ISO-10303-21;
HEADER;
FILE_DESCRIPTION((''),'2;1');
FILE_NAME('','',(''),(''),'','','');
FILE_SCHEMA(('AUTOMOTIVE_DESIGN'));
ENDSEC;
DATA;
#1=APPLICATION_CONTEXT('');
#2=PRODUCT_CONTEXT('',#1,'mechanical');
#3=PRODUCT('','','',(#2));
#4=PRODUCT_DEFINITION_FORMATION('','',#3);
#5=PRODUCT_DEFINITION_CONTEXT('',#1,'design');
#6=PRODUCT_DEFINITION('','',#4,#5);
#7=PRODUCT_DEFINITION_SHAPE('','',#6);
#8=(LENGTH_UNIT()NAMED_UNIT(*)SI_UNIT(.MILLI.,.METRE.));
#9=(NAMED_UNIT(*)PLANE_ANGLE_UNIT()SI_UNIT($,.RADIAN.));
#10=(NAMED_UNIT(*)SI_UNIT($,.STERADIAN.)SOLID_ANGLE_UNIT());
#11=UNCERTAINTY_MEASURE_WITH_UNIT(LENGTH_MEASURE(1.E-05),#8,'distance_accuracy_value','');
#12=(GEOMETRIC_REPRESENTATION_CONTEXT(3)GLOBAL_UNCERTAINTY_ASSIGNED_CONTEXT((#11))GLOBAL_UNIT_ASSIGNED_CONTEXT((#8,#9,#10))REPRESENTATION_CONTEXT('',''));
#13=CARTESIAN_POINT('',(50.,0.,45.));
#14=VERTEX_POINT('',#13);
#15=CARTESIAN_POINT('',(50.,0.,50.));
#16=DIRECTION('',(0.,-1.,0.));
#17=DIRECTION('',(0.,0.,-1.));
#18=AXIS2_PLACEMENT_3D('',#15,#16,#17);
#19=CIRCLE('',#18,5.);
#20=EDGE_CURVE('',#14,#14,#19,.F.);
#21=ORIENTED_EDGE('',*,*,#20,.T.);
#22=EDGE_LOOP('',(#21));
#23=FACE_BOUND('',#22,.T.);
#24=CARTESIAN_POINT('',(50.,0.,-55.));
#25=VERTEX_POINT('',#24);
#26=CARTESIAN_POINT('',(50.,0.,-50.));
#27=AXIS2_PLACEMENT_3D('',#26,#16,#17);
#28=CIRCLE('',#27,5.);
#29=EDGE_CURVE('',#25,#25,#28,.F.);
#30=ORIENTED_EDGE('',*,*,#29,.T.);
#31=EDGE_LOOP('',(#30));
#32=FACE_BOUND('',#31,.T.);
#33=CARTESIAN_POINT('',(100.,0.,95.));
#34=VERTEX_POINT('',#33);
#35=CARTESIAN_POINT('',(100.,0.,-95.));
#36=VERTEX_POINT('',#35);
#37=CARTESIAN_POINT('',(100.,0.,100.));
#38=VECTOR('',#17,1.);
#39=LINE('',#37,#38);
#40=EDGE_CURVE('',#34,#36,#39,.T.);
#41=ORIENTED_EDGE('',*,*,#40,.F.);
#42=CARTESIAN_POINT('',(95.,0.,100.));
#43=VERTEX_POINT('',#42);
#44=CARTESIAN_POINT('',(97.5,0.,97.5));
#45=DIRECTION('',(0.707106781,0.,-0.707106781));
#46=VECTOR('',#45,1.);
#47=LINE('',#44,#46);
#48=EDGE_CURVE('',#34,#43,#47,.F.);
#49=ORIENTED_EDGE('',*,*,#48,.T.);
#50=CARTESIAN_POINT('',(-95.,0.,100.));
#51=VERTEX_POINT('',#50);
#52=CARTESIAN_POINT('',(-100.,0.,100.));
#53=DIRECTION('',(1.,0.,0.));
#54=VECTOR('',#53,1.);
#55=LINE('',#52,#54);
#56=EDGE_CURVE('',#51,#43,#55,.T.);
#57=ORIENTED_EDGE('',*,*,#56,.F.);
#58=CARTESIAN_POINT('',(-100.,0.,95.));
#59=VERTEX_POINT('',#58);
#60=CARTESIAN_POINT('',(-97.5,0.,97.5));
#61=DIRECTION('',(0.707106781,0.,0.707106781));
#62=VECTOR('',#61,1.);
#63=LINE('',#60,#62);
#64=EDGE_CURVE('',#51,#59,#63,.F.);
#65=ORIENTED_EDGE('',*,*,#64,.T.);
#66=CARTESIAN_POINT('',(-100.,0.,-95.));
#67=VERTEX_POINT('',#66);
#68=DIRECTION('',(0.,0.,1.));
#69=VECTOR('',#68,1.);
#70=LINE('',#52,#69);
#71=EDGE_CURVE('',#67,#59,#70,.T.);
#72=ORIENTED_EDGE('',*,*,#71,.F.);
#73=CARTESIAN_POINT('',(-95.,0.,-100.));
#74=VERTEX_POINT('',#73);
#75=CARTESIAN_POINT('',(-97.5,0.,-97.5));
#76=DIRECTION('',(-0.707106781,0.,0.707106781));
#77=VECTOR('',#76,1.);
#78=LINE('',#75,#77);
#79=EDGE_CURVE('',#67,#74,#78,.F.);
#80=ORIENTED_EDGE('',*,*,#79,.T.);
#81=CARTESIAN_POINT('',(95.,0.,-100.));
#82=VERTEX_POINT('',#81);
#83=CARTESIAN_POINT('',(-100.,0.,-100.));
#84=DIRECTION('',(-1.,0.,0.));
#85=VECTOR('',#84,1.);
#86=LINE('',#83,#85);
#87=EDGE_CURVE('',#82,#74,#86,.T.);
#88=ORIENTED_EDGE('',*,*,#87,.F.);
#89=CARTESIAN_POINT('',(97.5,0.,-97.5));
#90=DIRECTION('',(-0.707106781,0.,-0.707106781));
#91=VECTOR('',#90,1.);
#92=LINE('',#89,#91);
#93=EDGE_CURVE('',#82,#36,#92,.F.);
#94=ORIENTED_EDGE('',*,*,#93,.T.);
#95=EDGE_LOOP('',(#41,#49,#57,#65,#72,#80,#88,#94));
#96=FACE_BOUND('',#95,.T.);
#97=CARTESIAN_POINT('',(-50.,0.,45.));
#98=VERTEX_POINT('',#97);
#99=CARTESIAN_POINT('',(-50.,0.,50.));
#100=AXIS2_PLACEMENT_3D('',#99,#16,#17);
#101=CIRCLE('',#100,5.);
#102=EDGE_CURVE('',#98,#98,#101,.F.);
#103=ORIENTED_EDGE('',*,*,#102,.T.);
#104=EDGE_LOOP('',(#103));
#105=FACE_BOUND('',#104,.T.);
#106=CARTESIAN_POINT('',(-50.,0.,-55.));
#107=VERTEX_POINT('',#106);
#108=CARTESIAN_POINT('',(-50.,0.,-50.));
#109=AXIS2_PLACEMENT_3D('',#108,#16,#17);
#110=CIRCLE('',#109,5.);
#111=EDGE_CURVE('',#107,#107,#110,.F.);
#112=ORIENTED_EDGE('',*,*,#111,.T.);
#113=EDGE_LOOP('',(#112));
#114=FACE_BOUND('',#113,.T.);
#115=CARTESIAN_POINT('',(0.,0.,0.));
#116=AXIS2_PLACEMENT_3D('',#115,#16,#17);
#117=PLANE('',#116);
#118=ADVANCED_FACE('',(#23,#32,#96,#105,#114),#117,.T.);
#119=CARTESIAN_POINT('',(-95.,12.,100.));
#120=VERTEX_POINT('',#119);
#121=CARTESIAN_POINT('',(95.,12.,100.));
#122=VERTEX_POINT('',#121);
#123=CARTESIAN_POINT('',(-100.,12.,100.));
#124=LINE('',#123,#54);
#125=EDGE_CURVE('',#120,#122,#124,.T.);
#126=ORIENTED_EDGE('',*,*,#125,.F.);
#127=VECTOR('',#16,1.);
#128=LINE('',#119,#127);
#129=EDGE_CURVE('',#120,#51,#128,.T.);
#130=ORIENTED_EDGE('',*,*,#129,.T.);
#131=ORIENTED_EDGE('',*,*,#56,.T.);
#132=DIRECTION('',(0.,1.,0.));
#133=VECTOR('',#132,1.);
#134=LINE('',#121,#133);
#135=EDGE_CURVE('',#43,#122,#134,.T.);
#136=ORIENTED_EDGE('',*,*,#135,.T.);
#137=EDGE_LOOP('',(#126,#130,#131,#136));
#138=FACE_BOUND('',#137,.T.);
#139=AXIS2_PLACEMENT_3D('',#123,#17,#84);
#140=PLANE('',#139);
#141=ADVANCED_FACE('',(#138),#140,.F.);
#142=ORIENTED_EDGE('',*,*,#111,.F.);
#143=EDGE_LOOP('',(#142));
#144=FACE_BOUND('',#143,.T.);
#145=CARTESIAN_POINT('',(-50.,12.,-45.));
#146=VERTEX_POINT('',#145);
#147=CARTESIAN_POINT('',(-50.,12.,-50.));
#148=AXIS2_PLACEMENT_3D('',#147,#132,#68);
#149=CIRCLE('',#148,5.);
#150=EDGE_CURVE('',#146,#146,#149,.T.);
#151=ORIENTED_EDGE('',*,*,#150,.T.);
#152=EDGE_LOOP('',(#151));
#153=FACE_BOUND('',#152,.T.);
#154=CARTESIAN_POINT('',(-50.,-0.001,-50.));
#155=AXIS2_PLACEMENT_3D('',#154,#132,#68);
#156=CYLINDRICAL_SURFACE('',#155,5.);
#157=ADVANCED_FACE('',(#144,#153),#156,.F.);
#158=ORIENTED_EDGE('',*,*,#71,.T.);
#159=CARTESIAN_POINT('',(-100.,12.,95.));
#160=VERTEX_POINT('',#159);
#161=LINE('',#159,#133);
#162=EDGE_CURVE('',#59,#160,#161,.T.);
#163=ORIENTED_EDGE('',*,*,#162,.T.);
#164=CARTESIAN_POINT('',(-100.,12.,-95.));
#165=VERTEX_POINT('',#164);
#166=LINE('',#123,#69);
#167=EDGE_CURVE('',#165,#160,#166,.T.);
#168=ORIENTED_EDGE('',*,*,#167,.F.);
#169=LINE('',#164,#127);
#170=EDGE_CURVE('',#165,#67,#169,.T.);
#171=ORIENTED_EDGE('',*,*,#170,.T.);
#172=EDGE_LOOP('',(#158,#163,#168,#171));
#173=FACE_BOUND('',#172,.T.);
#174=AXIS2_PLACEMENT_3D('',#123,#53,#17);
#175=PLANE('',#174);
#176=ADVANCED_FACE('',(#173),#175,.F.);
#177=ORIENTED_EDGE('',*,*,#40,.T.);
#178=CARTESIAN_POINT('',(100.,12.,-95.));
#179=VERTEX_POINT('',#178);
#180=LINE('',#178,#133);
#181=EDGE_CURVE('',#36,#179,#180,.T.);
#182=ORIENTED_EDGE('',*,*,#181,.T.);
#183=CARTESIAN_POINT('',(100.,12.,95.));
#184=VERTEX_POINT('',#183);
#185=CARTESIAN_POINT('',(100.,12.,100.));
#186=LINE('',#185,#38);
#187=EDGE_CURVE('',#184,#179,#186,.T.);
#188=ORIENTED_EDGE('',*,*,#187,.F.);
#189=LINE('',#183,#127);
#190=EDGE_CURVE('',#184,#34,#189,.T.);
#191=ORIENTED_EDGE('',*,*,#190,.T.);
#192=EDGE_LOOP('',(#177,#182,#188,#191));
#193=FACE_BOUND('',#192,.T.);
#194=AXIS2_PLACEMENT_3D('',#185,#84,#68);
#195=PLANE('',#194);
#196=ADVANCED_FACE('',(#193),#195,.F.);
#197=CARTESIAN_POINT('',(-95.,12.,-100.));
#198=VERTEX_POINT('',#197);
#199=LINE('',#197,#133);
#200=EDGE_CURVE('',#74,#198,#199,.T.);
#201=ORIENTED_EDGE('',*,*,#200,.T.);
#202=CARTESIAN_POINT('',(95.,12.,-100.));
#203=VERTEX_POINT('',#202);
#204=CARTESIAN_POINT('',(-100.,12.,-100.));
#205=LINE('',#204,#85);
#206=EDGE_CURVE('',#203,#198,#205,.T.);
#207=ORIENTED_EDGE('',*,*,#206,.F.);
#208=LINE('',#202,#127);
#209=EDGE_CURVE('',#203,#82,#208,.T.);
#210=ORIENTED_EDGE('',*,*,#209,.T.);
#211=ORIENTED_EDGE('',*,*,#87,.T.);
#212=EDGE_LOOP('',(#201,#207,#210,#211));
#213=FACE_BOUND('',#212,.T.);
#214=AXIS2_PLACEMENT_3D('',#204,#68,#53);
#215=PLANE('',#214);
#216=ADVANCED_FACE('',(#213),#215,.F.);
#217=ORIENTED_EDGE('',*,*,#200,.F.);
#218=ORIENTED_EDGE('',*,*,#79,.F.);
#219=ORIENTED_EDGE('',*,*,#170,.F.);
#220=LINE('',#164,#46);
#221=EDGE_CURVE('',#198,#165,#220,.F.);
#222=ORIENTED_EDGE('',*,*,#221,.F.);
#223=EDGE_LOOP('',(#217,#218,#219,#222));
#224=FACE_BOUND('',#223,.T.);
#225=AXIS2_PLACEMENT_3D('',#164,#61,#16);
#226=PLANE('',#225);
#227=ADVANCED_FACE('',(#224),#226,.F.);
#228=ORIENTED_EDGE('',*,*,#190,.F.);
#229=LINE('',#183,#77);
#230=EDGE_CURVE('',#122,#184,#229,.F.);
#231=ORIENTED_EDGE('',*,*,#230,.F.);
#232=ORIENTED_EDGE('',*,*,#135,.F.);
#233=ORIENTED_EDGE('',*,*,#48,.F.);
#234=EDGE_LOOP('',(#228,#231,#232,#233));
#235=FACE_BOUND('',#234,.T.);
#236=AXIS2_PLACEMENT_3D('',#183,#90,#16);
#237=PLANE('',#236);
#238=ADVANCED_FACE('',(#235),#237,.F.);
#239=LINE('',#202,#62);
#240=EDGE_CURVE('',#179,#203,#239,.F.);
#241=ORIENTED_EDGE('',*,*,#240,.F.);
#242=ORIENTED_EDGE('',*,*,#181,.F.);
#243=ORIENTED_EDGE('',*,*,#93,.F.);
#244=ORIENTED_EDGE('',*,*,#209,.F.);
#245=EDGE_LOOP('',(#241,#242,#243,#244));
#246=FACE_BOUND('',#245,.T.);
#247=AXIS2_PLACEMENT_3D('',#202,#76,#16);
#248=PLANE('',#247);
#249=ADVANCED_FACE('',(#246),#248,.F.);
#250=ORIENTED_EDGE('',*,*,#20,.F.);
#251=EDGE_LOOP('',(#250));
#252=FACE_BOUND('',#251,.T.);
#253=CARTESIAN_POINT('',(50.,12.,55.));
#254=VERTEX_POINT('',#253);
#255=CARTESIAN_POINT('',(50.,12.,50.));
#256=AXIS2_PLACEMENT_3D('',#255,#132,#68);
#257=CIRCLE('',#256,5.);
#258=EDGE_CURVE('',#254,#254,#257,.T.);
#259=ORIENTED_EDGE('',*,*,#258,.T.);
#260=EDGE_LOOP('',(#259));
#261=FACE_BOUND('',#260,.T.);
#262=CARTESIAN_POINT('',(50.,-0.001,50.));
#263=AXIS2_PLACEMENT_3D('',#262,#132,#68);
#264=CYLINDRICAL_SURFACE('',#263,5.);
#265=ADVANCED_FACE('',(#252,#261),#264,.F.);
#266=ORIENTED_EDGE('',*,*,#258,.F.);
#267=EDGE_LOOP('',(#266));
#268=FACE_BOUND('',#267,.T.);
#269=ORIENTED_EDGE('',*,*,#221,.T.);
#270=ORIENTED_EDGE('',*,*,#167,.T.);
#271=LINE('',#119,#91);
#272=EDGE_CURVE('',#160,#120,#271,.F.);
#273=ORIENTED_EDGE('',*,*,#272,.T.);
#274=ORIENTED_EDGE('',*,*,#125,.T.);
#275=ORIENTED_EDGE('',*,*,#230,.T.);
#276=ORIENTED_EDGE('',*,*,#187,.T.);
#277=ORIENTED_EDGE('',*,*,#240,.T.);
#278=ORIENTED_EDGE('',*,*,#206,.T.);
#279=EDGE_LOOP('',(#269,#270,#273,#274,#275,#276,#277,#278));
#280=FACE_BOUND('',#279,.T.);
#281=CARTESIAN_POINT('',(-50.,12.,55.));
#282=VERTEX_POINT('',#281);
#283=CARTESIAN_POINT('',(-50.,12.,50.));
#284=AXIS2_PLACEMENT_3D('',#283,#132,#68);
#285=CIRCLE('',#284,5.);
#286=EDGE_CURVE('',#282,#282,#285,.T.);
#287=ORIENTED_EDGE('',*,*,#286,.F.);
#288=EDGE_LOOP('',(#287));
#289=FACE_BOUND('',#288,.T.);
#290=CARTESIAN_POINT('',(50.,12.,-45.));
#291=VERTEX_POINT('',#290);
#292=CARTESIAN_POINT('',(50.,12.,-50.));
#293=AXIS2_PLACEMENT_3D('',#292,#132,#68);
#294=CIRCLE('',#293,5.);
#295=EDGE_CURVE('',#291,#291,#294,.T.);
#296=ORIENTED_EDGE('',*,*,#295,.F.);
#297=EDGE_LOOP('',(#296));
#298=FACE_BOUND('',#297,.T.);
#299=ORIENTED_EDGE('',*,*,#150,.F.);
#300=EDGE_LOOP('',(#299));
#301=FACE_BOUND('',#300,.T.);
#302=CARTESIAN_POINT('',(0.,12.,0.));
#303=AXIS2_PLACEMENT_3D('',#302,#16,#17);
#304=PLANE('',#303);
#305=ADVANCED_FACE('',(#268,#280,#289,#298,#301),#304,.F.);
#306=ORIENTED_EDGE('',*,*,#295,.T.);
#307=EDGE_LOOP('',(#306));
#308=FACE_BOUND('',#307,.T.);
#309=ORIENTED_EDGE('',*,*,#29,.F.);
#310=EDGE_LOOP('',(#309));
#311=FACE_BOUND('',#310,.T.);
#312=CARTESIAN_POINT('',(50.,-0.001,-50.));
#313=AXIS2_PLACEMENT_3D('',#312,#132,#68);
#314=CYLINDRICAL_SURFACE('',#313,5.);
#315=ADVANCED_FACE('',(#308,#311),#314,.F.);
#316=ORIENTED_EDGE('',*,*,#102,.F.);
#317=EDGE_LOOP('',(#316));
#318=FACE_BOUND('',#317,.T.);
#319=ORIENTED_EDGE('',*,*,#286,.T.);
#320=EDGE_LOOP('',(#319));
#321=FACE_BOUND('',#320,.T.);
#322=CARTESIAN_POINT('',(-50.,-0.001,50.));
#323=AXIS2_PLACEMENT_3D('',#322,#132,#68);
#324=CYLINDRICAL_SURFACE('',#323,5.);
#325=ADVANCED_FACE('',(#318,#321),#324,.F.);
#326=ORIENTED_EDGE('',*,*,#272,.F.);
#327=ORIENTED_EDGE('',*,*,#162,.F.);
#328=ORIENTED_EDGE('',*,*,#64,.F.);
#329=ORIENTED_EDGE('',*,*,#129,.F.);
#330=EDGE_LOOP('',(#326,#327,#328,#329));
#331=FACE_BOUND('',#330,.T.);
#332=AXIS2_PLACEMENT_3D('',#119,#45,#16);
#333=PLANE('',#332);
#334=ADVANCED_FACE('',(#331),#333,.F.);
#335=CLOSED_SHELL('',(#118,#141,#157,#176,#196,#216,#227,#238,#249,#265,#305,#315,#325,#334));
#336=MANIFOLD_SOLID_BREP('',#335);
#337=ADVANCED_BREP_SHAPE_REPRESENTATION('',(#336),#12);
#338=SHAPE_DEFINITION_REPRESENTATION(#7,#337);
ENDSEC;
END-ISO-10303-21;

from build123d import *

# Parameters (mm, degrees)
SKETCH1_W           = 200
SKETCH1_H           = 200
BOSS_EXTRUDE1_DEPTH = 12
CUT_EXTRUDE2_REACH  = 143.93
SKETCH3_R           = 5
CHAMFER1_SIZE       = 5


with BuildPart() as part:
    # Sketch1 → Boss-Extrude1 (new body)
    with BuildSketch(Plane(origin=(0, 0, 0), x_dir=(1, 0, 0), z_dir=(0, 1, 0))):
        Rectangle(SKETCH1_W, SKETCH1_H)
    extrude(amount=BOSS_EXTRUDE1_DEPTH)

    # Sketch3 → Cut-Extrude2 (cut, up to next)
    with BuildSketch(Plane(origin=(0, 12, 0), x_dir=(1, 0, 0), z_dir=(0, 1, 0)), mode=Mode.PRIVATE) as cut_extrude2_sk1:
        with Locations(Location((-50, 50, 0), (0, 0, 270))):
            Circle(SKETCH3_R)
    cut_extrude2_tool1 = extrude(cut_extrude2_sk1.sketch, amount=-CUT_EXTRUDE2_REACH, mode=Mode.PRIVATE) & part.part
    # Sketch3 → Cut-Extrude2 (cut, up to next)
    with BuildSketch(Plane(origin=(0, 12, 0), x_dir=(1, 0, 0), z_dir=(0, 1, 0)), mode=Mode.PRIVATE) as cut_extrude2_sk2:
        with Locations(Location((50, 50, 0), (0, 0, 270))):
            Circle(SKETCH3_R)
    cut_extrude2_tool2 = extrude(cut_extrude2_sk2.sketch, amount=-CUT_EXTRUDE2_REACH, mode=Mode.PRIVATE) & part.part
    # Sketch3 → Cut-Extrude2 (cut, up to next)
    with BuildSketch(Plane(origin=(0, 12, 0), x_dir=(1, 0, 0), z_dir=(0, 1, 0)), mode=Mode.PRIVATE) as cut_extrude2_sk3:
        with Locations(Location((-50, -50, 0), (0, 0, 270))):
            Circle(SKETCH3_R)
    cut_extrude2_tool3 = extrude(cut_extrude2_sk3.sketch, amount=-CUT_EXTRUDE2_REACH, mode=Mode.PRIVATE) & part.part
    # Sketch3 → Cut-Extrude2 (cut, up to next)
    with BuildSketch(Plane(origin=(0, 12, 0), x_dir=(1, 0, 0), z_dir=(0, 1, 0)), mode=Mode.PRIVATE) as cut_extrude2_sk4:
        with Locations(Location((50, -50, 0), (0, 0, 270))):
            Circle(SKETCH3_R)
    cut_extrude2_tool4 = extrude(cut_extrude2_sk4.sketch, amount=-CUT_EXTRUDE2_REACH, mode=Mode.PRIVATE) & part.part
    add(cut_extrude2_tool1.solids().sort_by_distance((-50, 12, -50))[0], mode=Mode.SUBTRACT)
    add(cut_extrude2_tool2.solids().sort_by_distance((50, 12, -50))[0], mode=Mode.SUBTRACT)
    add(cut_extrude2_tool3.solids().sort_by_distance((-50, 12, 50))[0], mode=Mode.SUBTRACT)
    add(cut_extrude2_tool4.solids().sort_by_distance((50, 12, 50))[0], mode=Mode.SUBTRACT)

    # Chamfer1
    chamfer1_edges = [part.edges().sort_by_distance(p)[0] for p in [
        (-100, 6, -100),
        (100, 6, -100),
        (100, 6, 100),
        (-100, 6, 100),
    ]]
    chamfer(chamfer1_edges, length=CHAMFER1_SIZE)


solid = part.part
